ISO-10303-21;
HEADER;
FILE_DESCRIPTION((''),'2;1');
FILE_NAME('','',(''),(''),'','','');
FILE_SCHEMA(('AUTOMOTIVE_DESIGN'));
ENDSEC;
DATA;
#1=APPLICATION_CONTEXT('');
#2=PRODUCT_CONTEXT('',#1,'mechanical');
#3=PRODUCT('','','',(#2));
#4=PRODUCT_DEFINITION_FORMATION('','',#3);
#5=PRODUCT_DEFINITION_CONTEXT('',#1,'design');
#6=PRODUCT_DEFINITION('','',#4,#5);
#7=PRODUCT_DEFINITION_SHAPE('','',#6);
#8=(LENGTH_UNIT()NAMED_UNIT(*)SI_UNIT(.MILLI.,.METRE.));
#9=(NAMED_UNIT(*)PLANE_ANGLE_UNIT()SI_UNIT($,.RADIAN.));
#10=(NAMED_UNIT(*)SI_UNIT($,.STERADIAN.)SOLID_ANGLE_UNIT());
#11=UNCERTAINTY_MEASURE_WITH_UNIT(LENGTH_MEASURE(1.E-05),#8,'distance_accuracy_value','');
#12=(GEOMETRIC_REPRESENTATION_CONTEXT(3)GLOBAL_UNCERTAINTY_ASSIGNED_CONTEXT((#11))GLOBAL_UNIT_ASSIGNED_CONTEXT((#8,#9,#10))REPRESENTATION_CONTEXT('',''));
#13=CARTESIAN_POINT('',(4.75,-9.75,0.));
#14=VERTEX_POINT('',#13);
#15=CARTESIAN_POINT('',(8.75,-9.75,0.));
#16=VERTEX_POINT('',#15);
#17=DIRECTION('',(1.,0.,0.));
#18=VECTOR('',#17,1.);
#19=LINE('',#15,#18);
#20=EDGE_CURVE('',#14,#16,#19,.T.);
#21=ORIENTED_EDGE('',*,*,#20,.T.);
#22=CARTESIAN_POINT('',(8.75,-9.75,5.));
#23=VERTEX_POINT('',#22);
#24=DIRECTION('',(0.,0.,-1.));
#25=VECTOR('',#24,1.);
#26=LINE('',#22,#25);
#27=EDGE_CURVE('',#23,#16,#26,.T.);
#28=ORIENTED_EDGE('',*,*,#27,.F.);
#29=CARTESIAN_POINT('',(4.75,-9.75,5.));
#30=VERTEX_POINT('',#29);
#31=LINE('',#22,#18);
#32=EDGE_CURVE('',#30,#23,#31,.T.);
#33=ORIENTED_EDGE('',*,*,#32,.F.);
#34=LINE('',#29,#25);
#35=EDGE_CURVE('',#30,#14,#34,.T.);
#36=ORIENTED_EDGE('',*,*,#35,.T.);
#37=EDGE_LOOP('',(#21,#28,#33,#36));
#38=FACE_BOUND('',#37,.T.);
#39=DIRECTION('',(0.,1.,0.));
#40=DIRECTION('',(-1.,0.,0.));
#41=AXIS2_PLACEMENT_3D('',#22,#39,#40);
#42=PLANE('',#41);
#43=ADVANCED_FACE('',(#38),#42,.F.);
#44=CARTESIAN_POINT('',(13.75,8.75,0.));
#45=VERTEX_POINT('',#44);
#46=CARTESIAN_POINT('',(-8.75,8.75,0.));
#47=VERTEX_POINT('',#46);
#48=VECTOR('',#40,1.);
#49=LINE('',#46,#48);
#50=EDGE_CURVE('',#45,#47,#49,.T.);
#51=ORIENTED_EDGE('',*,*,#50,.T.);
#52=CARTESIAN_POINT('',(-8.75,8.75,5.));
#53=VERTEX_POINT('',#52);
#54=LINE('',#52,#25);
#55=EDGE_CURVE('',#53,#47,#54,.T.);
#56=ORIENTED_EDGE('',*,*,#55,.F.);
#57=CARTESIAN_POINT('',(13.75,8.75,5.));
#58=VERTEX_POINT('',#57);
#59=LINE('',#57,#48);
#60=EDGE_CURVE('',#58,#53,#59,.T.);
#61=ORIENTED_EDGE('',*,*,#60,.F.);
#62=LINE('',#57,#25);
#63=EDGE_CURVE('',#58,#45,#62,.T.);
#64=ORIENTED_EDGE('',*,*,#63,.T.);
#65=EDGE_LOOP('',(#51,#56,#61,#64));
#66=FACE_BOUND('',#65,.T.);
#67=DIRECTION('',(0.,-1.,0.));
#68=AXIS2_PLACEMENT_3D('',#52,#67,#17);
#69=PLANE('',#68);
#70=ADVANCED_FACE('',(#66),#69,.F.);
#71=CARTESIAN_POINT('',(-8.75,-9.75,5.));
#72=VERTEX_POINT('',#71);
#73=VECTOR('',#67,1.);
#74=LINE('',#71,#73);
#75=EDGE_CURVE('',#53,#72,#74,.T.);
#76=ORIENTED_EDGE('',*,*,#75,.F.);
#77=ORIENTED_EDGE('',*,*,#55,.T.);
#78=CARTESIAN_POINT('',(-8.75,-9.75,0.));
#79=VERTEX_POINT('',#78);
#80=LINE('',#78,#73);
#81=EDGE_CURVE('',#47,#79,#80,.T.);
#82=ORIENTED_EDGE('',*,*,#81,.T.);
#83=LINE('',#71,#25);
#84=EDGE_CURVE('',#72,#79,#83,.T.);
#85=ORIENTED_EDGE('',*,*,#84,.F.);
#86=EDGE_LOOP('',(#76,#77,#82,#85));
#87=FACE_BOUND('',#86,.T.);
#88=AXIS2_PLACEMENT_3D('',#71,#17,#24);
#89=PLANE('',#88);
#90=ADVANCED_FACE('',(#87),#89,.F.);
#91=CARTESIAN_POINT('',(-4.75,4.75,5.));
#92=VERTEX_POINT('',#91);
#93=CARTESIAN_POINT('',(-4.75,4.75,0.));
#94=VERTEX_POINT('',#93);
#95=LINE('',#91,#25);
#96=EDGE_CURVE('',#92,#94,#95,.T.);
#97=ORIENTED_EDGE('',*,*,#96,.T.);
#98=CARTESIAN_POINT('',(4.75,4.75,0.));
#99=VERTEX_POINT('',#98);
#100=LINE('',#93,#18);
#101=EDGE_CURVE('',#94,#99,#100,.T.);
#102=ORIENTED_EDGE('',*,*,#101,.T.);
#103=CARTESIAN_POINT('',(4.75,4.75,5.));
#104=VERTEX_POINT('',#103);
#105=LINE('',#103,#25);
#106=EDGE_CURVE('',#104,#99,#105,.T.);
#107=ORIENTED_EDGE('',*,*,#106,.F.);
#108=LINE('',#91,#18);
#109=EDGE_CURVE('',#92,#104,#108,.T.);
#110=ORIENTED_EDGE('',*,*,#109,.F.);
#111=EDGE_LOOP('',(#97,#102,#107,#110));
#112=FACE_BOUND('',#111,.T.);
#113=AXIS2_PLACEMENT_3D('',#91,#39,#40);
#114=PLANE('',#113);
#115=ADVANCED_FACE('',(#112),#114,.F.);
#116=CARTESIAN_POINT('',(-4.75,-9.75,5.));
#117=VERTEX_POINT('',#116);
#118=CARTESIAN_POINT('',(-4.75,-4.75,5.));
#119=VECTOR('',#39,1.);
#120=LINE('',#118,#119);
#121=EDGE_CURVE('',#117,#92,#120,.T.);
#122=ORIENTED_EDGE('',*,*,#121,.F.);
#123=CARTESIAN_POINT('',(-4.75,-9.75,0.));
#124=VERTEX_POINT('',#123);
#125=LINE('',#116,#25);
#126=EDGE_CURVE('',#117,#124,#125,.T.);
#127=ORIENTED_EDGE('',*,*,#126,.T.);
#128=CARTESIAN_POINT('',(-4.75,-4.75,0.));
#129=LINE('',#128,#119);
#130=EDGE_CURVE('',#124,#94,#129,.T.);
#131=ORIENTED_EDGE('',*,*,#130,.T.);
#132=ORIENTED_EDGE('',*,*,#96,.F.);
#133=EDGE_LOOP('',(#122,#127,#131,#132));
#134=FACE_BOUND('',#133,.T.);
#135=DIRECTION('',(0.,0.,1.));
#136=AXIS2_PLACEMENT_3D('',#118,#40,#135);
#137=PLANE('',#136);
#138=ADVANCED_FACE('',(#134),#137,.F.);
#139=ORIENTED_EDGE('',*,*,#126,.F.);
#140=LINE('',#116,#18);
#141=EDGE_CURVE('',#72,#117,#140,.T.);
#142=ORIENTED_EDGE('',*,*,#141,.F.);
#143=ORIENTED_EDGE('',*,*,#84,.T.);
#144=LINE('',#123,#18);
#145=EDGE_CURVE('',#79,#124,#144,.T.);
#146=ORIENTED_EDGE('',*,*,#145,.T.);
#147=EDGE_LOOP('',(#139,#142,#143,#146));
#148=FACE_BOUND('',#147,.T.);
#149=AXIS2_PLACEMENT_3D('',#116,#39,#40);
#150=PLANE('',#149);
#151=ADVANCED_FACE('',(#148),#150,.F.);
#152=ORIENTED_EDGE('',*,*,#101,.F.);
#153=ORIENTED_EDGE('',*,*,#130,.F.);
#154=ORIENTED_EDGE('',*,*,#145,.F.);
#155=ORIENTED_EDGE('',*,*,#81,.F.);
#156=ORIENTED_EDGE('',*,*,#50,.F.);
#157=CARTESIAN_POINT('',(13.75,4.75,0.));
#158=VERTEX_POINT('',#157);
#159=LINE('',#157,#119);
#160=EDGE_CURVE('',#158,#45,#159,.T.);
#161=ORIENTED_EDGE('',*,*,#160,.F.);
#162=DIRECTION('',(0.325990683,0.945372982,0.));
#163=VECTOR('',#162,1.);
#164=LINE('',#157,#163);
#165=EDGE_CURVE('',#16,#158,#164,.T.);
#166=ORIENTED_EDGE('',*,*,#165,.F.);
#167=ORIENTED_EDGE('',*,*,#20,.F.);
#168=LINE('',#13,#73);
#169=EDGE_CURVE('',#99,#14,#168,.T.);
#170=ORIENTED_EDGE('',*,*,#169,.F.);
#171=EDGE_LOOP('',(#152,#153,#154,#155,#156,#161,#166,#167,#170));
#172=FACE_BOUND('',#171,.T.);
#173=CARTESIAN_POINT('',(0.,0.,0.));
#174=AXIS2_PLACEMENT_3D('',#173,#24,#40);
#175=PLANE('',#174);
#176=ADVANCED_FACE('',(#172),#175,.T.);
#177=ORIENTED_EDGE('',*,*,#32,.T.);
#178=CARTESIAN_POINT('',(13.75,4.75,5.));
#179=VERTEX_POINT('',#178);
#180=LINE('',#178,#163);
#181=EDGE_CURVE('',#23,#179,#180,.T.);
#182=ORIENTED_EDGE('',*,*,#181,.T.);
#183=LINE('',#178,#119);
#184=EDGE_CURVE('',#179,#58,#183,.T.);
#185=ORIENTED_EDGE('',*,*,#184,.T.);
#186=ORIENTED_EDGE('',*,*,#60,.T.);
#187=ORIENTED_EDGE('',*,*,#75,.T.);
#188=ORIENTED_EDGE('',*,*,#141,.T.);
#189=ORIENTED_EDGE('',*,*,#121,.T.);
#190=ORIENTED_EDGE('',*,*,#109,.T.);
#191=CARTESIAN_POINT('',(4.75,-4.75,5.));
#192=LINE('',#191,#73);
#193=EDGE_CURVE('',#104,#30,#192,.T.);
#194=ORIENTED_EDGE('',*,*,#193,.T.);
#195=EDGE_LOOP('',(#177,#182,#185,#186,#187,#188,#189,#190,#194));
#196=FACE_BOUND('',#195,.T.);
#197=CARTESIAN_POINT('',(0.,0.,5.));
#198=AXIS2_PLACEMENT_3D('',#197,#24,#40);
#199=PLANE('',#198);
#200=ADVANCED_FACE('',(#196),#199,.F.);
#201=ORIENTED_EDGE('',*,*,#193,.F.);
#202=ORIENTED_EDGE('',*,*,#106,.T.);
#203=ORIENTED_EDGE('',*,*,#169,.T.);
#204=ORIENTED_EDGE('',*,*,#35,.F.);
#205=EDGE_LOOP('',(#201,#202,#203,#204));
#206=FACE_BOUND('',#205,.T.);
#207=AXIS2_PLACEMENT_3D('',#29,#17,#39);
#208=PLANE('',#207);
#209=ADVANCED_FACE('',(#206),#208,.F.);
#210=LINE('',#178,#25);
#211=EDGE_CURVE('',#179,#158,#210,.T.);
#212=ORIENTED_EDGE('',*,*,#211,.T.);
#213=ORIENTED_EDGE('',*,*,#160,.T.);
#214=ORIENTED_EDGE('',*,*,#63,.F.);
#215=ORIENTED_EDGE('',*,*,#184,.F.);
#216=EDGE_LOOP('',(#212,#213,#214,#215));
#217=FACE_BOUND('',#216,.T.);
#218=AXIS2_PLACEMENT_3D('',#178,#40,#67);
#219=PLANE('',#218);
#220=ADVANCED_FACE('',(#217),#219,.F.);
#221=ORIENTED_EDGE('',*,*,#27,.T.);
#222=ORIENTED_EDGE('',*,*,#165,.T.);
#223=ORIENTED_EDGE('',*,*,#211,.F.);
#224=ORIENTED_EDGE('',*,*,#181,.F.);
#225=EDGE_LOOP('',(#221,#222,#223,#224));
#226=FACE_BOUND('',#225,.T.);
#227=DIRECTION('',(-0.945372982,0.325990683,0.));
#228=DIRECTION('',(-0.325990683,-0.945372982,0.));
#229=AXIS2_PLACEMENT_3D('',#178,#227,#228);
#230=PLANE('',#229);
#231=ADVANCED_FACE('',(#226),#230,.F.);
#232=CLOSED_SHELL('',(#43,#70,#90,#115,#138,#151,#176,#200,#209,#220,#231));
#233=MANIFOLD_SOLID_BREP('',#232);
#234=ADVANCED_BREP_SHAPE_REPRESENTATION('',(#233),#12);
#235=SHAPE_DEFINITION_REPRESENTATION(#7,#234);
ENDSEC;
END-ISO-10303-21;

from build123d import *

# Parameters (mm, degrees)
BOSS_EXTRUDE1_DEPTH = 5


with BuildPart() as part:
    # Sketch1 → Boss-Extrude1 (new body)
    with BuildSketch(Plane.XY):
        Polygon((-4.75, -4.75), (-4.75, -9.75), (-8.75, -9.75), (-8.75, 8.75), (8.75, 8.75), (13.75, 8.75), (13.75, 4.75), (8.75, -9.75), (4.75, -9.75), (4.75, -4.75), (4.75, 4.75), (-4.75, 4.75), align=None)
    extrude(amount=BOSS_EXTRUDE1_DEPTH)


solid = part.part
